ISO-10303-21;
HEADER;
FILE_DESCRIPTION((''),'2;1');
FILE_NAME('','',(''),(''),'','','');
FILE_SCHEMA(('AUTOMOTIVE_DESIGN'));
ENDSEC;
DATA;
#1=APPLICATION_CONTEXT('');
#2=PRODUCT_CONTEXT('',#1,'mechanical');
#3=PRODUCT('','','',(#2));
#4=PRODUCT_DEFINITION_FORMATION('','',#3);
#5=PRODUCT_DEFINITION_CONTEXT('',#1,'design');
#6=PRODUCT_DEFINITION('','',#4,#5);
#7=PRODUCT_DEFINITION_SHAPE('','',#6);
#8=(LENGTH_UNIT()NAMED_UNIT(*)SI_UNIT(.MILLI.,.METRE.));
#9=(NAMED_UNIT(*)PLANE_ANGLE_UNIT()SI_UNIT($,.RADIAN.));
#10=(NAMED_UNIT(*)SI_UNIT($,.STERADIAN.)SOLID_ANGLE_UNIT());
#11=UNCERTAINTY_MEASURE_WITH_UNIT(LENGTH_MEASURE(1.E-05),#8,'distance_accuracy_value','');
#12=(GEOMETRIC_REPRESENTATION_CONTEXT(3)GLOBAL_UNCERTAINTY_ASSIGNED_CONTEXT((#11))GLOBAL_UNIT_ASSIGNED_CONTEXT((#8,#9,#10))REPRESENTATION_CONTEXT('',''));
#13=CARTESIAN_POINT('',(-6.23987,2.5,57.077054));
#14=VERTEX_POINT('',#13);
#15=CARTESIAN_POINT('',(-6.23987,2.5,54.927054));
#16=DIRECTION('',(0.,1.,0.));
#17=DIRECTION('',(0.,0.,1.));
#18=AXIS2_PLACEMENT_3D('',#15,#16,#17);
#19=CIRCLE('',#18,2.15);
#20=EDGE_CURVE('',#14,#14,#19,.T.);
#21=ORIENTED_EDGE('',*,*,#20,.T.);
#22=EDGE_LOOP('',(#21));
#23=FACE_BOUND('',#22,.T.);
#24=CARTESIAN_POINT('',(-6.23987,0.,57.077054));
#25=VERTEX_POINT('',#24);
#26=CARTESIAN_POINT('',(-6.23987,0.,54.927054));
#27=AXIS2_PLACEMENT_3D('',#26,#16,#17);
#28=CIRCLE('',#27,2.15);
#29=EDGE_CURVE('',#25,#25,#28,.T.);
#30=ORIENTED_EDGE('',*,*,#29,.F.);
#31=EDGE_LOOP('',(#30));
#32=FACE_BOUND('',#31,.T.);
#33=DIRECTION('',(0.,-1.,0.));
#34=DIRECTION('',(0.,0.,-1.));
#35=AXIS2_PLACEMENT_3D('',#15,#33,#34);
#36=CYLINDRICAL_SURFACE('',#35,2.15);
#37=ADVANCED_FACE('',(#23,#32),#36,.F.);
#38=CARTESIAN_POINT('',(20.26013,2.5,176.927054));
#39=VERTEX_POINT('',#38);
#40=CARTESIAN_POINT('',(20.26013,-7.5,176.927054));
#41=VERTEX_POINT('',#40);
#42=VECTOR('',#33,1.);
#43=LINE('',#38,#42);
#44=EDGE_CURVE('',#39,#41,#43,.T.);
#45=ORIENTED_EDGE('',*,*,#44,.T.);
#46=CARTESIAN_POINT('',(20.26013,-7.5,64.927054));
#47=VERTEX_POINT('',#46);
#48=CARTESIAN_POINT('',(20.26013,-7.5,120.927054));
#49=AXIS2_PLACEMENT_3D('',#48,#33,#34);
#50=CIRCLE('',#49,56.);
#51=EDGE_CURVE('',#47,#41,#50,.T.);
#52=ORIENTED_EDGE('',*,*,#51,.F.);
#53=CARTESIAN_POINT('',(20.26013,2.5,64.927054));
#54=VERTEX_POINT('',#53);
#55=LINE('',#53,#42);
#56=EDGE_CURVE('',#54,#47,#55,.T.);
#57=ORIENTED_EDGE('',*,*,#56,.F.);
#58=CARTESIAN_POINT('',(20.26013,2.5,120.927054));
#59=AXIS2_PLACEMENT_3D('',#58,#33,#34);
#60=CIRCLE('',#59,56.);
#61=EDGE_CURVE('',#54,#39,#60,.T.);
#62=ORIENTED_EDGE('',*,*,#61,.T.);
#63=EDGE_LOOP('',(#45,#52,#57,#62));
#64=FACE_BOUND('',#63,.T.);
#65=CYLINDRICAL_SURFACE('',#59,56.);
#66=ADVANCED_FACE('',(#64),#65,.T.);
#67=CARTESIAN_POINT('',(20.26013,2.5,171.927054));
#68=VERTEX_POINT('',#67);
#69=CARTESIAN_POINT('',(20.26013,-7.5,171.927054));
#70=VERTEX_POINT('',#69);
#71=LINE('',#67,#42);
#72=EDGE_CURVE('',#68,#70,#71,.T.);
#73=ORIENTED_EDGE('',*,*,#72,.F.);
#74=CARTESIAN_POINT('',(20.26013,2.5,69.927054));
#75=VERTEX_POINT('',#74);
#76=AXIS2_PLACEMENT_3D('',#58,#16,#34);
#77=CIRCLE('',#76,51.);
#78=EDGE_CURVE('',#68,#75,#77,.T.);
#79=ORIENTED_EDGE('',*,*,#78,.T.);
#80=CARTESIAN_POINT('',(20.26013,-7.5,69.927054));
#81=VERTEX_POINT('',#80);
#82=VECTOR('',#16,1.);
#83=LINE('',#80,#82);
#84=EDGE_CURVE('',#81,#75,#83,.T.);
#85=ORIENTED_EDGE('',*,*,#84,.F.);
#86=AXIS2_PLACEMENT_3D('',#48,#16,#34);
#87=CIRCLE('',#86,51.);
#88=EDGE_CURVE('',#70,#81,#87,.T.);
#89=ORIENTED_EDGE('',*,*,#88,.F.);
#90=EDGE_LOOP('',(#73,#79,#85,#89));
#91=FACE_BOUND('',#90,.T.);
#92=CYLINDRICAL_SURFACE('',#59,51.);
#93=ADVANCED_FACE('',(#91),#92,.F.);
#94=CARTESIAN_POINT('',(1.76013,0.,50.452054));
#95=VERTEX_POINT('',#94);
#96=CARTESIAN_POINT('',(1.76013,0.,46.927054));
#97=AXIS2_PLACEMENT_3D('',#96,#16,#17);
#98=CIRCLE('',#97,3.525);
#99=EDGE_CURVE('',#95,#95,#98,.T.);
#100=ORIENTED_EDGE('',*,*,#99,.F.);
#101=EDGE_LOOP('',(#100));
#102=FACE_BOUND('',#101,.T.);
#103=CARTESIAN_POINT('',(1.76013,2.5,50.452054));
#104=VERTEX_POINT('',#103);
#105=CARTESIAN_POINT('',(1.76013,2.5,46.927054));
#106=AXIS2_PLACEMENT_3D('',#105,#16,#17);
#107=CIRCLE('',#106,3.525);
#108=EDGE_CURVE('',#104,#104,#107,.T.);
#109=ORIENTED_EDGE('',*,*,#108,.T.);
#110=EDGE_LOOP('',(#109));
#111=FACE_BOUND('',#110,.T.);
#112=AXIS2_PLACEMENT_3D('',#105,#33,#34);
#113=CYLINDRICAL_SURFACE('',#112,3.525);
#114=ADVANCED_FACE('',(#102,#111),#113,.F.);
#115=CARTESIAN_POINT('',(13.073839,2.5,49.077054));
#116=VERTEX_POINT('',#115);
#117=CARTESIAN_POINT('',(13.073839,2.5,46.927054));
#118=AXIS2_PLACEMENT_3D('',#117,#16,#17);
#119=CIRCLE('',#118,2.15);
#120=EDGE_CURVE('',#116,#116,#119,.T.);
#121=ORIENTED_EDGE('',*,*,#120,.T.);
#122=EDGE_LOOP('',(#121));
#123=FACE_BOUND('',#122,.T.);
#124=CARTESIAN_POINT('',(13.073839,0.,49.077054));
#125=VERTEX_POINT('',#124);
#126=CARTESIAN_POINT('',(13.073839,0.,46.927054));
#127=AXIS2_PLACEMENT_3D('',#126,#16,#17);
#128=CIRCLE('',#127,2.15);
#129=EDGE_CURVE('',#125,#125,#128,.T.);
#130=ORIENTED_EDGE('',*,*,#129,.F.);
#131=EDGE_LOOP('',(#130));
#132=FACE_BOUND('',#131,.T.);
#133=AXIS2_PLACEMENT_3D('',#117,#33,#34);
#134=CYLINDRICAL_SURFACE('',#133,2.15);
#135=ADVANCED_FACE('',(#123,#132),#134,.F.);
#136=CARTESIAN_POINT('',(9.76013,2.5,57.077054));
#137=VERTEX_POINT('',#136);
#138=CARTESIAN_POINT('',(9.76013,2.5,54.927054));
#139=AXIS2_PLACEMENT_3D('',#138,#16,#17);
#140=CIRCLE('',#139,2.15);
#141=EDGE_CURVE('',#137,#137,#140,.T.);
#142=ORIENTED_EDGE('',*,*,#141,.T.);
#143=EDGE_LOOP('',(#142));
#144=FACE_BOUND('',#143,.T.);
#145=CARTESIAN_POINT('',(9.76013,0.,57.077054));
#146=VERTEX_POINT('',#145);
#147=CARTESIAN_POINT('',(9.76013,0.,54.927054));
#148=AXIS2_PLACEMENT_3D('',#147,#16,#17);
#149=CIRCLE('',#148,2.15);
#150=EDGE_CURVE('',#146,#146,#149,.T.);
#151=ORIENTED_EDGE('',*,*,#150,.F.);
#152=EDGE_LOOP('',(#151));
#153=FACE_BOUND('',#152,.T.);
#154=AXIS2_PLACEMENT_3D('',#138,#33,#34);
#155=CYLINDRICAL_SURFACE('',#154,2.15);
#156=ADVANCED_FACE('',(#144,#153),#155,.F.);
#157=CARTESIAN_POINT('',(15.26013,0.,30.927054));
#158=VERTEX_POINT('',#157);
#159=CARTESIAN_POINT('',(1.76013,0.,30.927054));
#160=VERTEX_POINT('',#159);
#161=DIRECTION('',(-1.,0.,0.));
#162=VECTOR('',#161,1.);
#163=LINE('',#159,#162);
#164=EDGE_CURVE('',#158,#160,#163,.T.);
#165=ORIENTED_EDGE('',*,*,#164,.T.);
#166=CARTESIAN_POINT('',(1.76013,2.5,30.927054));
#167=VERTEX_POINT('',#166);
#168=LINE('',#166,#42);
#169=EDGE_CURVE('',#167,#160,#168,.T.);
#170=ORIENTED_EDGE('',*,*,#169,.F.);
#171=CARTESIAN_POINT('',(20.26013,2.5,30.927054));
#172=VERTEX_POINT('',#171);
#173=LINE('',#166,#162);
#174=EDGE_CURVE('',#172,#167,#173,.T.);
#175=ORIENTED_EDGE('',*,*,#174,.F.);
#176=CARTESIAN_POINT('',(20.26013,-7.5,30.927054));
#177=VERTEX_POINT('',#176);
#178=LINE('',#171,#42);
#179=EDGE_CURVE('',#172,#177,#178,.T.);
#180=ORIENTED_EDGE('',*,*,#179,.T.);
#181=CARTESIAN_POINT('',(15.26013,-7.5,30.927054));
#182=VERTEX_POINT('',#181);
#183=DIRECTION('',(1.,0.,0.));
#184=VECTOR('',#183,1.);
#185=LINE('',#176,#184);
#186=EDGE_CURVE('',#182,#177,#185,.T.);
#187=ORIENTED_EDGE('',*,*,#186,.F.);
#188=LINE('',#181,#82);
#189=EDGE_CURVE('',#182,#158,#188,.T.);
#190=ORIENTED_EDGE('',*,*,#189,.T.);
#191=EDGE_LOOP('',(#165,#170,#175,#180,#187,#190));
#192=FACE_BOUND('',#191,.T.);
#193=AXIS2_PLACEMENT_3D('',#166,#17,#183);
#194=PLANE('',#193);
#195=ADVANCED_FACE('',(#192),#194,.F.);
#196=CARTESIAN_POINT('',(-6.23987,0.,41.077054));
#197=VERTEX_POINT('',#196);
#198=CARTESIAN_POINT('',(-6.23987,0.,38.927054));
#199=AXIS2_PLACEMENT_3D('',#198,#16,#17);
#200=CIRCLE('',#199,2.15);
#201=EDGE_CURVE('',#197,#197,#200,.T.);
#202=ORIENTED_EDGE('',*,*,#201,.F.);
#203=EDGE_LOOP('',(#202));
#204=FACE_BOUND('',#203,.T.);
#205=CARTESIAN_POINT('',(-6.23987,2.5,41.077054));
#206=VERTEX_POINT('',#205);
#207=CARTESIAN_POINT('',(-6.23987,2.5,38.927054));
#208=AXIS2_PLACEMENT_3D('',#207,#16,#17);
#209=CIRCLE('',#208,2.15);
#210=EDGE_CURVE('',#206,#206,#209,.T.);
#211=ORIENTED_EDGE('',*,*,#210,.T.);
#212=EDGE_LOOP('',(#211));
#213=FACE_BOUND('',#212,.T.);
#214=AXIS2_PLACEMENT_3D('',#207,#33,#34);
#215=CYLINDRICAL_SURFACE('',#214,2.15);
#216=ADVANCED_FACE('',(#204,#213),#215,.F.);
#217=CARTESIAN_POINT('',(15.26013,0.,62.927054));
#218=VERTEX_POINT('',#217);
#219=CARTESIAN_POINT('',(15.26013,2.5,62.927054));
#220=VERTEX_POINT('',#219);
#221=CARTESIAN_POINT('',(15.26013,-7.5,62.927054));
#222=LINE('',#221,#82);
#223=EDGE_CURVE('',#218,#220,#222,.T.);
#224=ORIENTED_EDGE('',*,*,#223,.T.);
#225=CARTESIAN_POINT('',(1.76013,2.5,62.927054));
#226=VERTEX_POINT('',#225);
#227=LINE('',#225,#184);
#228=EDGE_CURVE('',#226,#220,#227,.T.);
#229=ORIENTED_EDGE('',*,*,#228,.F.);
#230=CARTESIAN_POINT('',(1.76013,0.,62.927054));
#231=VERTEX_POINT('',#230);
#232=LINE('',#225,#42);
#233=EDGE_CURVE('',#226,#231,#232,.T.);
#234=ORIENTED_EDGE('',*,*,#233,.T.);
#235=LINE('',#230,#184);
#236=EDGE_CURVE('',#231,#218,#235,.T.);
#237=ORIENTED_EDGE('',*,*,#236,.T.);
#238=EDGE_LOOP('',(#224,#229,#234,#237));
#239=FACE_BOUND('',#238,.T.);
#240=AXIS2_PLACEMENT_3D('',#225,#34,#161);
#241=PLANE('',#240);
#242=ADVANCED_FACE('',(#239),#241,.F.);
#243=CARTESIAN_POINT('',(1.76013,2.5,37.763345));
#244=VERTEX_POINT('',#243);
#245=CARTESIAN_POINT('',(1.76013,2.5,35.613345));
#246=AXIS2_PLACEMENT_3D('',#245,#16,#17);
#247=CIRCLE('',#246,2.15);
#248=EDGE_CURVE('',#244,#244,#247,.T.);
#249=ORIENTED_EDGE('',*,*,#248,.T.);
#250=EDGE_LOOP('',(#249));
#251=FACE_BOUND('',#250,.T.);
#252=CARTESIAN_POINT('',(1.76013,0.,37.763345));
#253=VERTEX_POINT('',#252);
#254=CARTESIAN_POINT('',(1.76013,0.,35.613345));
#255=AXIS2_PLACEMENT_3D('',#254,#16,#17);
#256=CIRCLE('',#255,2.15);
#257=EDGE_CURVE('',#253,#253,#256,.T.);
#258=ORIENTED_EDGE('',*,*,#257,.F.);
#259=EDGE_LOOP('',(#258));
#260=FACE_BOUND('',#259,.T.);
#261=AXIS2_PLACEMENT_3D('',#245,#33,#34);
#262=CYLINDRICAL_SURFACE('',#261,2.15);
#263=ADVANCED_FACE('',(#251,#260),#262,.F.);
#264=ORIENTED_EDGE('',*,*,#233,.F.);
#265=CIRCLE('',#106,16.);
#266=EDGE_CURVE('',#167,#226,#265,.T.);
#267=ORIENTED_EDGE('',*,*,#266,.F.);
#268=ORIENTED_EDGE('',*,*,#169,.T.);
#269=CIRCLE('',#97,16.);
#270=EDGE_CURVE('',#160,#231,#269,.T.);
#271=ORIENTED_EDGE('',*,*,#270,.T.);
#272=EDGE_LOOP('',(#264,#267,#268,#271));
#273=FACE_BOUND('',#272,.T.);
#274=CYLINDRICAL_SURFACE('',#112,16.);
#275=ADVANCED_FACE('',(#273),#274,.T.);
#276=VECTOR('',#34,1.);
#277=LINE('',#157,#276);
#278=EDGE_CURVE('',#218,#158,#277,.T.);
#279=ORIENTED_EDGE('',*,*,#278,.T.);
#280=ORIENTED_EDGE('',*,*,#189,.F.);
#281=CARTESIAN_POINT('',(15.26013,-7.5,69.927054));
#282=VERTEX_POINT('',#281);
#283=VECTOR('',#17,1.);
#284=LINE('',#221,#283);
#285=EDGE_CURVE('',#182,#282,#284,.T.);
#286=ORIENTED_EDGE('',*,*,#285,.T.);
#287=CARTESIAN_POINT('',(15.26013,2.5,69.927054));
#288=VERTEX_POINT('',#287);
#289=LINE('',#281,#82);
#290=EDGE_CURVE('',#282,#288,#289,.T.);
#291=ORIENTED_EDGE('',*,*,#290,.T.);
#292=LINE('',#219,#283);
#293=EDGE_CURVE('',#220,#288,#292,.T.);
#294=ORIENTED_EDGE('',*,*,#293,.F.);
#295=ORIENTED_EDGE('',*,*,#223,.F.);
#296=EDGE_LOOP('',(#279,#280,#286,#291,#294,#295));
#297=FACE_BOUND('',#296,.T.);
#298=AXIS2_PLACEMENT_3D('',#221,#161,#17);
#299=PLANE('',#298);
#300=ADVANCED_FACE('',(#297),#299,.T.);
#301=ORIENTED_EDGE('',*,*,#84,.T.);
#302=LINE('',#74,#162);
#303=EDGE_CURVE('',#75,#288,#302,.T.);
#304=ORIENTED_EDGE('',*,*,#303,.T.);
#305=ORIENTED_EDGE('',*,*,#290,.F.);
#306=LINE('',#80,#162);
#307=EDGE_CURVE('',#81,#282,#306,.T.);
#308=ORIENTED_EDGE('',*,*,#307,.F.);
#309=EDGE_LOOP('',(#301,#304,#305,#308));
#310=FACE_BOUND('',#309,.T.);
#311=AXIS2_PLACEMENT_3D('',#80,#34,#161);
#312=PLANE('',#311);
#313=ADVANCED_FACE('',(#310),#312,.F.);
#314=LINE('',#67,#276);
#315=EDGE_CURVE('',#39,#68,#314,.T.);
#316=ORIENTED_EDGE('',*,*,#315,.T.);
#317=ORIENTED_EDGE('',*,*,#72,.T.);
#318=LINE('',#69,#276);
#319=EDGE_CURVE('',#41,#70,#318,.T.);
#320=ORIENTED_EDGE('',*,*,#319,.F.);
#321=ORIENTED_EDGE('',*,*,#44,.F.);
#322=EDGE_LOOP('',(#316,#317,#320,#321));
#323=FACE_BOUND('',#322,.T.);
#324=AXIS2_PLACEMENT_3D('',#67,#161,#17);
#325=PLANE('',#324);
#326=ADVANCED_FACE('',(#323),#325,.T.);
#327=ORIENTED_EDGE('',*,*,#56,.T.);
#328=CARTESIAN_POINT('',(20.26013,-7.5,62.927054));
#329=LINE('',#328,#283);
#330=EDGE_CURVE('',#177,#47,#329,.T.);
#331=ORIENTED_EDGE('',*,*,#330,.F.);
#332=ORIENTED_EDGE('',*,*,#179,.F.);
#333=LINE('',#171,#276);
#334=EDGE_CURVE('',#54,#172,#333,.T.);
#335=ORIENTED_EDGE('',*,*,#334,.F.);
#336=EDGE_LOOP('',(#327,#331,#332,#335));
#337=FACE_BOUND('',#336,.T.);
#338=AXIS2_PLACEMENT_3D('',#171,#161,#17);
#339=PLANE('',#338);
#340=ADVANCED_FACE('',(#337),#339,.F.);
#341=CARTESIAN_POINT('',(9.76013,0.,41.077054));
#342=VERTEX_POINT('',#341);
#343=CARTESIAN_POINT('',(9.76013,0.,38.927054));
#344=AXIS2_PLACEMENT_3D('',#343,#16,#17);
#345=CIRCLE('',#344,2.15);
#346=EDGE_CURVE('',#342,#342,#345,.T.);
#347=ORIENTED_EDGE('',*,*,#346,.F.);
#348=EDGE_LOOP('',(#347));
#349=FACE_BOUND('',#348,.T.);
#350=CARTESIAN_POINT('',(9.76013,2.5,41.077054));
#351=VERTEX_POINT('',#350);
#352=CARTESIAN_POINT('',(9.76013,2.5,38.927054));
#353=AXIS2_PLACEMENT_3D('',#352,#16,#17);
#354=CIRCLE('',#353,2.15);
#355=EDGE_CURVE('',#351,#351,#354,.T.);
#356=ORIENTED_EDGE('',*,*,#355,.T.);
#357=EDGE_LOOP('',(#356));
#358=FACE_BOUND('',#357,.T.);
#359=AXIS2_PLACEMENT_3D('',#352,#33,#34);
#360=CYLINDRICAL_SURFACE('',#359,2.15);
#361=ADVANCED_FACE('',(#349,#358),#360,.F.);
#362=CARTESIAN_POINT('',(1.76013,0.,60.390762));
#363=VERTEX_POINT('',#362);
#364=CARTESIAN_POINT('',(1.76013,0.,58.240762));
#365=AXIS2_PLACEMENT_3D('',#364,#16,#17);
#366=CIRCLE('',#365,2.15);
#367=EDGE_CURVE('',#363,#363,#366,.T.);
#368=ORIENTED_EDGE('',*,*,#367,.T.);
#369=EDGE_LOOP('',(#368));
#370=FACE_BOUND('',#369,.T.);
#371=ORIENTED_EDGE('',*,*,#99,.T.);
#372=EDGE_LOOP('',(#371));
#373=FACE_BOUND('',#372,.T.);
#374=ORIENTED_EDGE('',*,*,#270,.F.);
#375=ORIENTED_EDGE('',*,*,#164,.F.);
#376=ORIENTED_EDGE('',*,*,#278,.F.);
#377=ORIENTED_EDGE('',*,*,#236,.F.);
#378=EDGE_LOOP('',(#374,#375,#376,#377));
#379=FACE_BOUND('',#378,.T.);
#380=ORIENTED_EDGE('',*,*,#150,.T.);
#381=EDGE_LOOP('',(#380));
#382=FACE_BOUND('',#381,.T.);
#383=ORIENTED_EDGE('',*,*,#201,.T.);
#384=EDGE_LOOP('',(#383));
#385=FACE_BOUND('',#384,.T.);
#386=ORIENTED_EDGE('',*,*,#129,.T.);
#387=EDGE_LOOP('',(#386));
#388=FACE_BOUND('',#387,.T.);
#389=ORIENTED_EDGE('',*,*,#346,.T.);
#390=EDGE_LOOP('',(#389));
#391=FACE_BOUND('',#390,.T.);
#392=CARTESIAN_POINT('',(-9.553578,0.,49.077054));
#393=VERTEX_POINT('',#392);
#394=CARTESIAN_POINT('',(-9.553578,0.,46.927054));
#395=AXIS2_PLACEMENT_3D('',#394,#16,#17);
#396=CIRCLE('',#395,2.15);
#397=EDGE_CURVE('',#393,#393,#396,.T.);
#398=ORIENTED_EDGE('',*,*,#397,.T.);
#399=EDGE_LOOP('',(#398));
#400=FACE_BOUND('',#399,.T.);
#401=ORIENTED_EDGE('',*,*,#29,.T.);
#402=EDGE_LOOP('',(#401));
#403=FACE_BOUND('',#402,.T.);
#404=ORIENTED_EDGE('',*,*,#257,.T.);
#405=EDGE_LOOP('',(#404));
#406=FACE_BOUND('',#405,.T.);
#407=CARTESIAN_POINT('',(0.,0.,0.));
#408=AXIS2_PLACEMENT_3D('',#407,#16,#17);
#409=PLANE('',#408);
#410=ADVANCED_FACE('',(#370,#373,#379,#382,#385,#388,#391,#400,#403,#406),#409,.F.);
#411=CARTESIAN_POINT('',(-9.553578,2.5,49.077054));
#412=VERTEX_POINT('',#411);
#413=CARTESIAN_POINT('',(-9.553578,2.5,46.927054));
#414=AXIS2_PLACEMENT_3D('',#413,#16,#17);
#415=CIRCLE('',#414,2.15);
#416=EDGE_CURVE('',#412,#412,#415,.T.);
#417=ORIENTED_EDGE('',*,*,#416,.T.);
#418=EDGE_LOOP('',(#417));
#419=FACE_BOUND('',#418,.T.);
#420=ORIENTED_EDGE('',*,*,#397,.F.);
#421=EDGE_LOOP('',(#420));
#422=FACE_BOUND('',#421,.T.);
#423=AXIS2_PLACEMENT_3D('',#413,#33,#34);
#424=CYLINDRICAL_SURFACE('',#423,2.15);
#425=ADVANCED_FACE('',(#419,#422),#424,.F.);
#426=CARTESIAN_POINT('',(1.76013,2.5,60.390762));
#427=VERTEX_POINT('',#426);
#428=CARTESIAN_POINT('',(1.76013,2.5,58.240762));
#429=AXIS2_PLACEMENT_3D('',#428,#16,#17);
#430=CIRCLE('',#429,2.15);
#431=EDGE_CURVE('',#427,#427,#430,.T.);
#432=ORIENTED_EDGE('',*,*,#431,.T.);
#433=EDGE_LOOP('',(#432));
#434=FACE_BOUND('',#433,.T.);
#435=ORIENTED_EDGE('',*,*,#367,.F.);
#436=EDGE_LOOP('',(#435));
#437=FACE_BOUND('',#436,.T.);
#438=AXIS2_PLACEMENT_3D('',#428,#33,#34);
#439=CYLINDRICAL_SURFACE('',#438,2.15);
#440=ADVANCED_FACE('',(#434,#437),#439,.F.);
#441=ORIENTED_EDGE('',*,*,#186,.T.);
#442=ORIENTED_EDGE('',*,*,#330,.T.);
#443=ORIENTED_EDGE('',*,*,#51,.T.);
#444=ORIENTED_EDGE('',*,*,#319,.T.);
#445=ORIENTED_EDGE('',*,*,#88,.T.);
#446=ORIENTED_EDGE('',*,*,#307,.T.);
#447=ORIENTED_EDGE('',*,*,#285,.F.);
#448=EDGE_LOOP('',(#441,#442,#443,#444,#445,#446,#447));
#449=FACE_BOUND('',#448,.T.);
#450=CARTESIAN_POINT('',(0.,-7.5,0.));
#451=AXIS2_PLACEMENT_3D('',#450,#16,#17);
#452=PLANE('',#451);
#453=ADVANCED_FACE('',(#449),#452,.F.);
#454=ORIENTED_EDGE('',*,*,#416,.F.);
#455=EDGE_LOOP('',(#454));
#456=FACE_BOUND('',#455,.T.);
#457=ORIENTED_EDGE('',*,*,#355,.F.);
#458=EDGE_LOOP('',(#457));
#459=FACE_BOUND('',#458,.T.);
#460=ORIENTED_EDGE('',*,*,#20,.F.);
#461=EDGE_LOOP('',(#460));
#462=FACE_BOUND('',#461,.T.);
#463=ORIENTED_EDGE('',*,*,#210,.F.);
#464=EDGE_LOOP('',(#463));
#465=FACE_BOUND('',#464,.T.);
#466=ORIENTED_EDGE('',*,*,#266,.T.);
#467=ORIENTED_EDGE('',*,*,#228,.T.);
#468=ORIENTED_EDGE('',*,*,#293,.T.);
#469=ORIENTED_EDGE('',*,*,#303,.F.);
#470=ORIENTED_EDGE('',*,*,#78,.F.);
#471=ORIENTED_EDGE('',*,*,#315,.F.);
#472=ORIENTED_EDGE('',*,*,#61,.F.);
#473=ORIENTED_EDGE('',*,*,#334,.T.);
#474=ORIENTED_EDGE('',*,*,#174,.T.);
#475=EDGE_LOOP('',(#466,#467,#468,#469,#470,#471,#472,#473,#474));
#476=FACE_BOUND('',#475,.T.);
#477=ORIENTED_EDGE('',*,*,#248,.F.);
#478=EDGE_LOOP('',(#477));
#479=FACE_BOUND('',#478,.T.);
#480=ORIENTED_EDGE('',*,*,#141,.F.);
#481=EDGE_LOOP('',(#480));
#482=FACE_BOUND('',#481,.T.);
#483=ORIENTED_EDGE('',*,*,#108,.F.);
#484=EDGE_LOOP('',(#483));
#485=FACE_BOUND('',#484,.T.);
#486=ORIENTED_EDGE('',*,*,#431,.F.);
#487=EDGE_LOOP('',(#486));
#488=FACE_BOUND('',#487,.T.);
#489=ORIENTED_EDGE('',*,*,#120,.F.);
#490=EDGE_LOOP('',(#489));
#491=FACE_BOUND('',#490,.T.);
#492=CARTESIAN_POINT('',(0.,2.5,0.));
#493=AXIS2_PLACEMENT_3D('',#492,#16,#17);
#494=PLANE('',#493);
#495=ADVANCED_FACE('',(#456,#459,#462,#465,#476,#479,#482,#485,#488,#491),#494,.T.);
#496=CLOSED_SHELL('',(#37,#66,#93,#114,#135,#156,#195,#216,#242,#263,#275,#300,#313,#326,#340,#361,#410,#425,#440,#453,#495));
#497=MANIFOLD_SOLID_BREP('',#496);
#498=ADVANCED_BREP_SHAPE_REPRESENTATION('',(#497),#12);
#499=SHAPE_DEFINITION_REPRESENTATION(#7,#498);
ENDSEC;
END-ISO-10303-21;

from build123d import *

# Parameters (mm, degrees)
SKETCH4_W                = 18.5
SKETCH4_H                = 32
BOSS_EXTRUDE2_DEPTH      = 2.5
SKETCH5_R                = 16
BOSS_EXTRUDE3_DEPTH      = 2.5
BOSS_EXTRUDE4_DEPTH      = 2.5
BOSS_EXTRUDE4_DEPTH_BACK = 7.5
SKETCH6_W                = 5
SKETCH6_H                = 7
SKETCH9_R                = 2.15
CUT_EXTRUDE1_DEPTH       = 2.5
SKETCH9_3_R              = 3.525
CUT_EXTRUDE3_DEPTH       = 2.5
BOSS_EXTRUDE7_DEPTH      = 10
SKETCH16_W               = 5
SKETCH16_H               = 32
BOSS_EXTRUDE8_DEPTH      = 7.5


with BuildPart() as part:
    # Sketch4 → Boss-Extrude2 (new body)
    with BuildSketch(Plane(origin=(0, 0, 0), x_dir=(1, 0, 0), z_dir=(0, 1, 0))):
        with Locations((11.010130113, -46.927053824)):
            Rectangle(SKETCH4_W, SKETCH4_H)
    extrude(amount=BOSS_EXTRUDE2_DEPTH)

    # Sketch5 → Boss-Extrude3 (add)
    with BuildSketch(Plane(origin=(0, 0, 0), x_dir=(1, 0, 0), z_dir=(0, 1, 0))):
        with Locations((1.760130113, -46.927053824)):
            Circle(SKETCH5_R)
    extrude(amount=BOSS_EXTRUDE3_DEPTH)

    # Sketch6 → Boss-Extrude4 (add, two sides: drawn at the far end of the back side and taken through both)
    with BuildSketch(Plane(origin=(0, 0, 0), x_dir=(1, 0, 0), z_dir=(0, 1, 0)).offset(-BOSS_EXTRUDE4_DEPTH_BACK)):
        with Locations((17.760130113, -66.427053824)):
            Rectangle(SKETCH6_W, SKETCH6_H)
    extrude(amount=BOSS_EXTRUDE4_DEPTH + BOSS_EXTRUDE4_DEPTH_BACK)

    # Sketch9 → Cut-Extrude1 (cut)
    with BuildSketch(Plane(origin=(0, 0, 0), x_dir=(1, 0, 0), z_dir=(0, 1, 0))):
        with Locations((1.760130113, -35.613345325)):
            Circle(SKETCH9_R)
        with Locations((9.760130113, -38.927053824)):
            Circle(SKETCH9_R)
        with Locations((13.073838612, -46.927053824)):
            Circle(SKETCH9_R)
        with Locations((9.760130113, -54.927053824)):
            Circle(SKETCH9_R)
        with Locations((1.760130113, -58.240762323)):
            Circle(SKETCH9_R)
        with Locations((-6.239869887, -54.927053824)):
            Circle(SKETCH9_R)
        with Locations((-9.553578386, -46.927053824)):
            Circle(SKETCH9_R)
        with Locations((-6.239869887, -38.927053824)):
            Circle(SKETCH9_R)
    extrude(amount=CUT_EXTRUDE1_DEPTH, mode=Mode.SUBTRACT)

    # Sketch9<3> → Cut-Extrude3 (cut)
    with BuildSketch(Plane(origin=(0, 0, 0), x_dir=(1, 0, 0), z_dir=(0, 1, 0))):
        with Locations((1.760130113, -46.927053824)):
            Circle(SKETCH9_3_R)
    extrude(amount=CUT_EXTRUDE3_DEPTH, mode=Mode.SUBTRACT)

    # Sketch14 → Boss-Extrude7 (add)
    with BuildSketch(Plane(origin=(0, -7.5, 0), x_dir=(-1, 0, 0), z_dir=(0, -1, 0))):
        with BuildLine():
            Line((-20.260130113, -171.927053824), (-20.260130113, -176.927053824))
            ThreePointArc((-20.260130113, -176.927053824), (-76.260130113, -120.927053824), (-20.260130113, -64.927053824))
            Line((-20.260130113, -64.927053824), (-20.260130113, -69.927053824))
            ThreePointArc((-20.260130113, -69.927053824), (-71.260130113, -120.927053824), (-20.260130113, -171.927053824))
        make_face()
    extrude(amount=-BOSS_EXTRUDE7_DEPTH)

    # Sketch16 → Boss-Extrude8 (add)
    with BuildSketch(Plane(origin=(0, 0, 0), x_dir=(-1, 0, 0), z_dir=(0, -1, 0))):
        with Locations((-17.760130113, -46.927053824)):
            Rectangle(SKETCH16_W, SKETCH16_H)
    extrude(amount=BOSS_EXTRUDE8_DEPTH)


solid = part.part
